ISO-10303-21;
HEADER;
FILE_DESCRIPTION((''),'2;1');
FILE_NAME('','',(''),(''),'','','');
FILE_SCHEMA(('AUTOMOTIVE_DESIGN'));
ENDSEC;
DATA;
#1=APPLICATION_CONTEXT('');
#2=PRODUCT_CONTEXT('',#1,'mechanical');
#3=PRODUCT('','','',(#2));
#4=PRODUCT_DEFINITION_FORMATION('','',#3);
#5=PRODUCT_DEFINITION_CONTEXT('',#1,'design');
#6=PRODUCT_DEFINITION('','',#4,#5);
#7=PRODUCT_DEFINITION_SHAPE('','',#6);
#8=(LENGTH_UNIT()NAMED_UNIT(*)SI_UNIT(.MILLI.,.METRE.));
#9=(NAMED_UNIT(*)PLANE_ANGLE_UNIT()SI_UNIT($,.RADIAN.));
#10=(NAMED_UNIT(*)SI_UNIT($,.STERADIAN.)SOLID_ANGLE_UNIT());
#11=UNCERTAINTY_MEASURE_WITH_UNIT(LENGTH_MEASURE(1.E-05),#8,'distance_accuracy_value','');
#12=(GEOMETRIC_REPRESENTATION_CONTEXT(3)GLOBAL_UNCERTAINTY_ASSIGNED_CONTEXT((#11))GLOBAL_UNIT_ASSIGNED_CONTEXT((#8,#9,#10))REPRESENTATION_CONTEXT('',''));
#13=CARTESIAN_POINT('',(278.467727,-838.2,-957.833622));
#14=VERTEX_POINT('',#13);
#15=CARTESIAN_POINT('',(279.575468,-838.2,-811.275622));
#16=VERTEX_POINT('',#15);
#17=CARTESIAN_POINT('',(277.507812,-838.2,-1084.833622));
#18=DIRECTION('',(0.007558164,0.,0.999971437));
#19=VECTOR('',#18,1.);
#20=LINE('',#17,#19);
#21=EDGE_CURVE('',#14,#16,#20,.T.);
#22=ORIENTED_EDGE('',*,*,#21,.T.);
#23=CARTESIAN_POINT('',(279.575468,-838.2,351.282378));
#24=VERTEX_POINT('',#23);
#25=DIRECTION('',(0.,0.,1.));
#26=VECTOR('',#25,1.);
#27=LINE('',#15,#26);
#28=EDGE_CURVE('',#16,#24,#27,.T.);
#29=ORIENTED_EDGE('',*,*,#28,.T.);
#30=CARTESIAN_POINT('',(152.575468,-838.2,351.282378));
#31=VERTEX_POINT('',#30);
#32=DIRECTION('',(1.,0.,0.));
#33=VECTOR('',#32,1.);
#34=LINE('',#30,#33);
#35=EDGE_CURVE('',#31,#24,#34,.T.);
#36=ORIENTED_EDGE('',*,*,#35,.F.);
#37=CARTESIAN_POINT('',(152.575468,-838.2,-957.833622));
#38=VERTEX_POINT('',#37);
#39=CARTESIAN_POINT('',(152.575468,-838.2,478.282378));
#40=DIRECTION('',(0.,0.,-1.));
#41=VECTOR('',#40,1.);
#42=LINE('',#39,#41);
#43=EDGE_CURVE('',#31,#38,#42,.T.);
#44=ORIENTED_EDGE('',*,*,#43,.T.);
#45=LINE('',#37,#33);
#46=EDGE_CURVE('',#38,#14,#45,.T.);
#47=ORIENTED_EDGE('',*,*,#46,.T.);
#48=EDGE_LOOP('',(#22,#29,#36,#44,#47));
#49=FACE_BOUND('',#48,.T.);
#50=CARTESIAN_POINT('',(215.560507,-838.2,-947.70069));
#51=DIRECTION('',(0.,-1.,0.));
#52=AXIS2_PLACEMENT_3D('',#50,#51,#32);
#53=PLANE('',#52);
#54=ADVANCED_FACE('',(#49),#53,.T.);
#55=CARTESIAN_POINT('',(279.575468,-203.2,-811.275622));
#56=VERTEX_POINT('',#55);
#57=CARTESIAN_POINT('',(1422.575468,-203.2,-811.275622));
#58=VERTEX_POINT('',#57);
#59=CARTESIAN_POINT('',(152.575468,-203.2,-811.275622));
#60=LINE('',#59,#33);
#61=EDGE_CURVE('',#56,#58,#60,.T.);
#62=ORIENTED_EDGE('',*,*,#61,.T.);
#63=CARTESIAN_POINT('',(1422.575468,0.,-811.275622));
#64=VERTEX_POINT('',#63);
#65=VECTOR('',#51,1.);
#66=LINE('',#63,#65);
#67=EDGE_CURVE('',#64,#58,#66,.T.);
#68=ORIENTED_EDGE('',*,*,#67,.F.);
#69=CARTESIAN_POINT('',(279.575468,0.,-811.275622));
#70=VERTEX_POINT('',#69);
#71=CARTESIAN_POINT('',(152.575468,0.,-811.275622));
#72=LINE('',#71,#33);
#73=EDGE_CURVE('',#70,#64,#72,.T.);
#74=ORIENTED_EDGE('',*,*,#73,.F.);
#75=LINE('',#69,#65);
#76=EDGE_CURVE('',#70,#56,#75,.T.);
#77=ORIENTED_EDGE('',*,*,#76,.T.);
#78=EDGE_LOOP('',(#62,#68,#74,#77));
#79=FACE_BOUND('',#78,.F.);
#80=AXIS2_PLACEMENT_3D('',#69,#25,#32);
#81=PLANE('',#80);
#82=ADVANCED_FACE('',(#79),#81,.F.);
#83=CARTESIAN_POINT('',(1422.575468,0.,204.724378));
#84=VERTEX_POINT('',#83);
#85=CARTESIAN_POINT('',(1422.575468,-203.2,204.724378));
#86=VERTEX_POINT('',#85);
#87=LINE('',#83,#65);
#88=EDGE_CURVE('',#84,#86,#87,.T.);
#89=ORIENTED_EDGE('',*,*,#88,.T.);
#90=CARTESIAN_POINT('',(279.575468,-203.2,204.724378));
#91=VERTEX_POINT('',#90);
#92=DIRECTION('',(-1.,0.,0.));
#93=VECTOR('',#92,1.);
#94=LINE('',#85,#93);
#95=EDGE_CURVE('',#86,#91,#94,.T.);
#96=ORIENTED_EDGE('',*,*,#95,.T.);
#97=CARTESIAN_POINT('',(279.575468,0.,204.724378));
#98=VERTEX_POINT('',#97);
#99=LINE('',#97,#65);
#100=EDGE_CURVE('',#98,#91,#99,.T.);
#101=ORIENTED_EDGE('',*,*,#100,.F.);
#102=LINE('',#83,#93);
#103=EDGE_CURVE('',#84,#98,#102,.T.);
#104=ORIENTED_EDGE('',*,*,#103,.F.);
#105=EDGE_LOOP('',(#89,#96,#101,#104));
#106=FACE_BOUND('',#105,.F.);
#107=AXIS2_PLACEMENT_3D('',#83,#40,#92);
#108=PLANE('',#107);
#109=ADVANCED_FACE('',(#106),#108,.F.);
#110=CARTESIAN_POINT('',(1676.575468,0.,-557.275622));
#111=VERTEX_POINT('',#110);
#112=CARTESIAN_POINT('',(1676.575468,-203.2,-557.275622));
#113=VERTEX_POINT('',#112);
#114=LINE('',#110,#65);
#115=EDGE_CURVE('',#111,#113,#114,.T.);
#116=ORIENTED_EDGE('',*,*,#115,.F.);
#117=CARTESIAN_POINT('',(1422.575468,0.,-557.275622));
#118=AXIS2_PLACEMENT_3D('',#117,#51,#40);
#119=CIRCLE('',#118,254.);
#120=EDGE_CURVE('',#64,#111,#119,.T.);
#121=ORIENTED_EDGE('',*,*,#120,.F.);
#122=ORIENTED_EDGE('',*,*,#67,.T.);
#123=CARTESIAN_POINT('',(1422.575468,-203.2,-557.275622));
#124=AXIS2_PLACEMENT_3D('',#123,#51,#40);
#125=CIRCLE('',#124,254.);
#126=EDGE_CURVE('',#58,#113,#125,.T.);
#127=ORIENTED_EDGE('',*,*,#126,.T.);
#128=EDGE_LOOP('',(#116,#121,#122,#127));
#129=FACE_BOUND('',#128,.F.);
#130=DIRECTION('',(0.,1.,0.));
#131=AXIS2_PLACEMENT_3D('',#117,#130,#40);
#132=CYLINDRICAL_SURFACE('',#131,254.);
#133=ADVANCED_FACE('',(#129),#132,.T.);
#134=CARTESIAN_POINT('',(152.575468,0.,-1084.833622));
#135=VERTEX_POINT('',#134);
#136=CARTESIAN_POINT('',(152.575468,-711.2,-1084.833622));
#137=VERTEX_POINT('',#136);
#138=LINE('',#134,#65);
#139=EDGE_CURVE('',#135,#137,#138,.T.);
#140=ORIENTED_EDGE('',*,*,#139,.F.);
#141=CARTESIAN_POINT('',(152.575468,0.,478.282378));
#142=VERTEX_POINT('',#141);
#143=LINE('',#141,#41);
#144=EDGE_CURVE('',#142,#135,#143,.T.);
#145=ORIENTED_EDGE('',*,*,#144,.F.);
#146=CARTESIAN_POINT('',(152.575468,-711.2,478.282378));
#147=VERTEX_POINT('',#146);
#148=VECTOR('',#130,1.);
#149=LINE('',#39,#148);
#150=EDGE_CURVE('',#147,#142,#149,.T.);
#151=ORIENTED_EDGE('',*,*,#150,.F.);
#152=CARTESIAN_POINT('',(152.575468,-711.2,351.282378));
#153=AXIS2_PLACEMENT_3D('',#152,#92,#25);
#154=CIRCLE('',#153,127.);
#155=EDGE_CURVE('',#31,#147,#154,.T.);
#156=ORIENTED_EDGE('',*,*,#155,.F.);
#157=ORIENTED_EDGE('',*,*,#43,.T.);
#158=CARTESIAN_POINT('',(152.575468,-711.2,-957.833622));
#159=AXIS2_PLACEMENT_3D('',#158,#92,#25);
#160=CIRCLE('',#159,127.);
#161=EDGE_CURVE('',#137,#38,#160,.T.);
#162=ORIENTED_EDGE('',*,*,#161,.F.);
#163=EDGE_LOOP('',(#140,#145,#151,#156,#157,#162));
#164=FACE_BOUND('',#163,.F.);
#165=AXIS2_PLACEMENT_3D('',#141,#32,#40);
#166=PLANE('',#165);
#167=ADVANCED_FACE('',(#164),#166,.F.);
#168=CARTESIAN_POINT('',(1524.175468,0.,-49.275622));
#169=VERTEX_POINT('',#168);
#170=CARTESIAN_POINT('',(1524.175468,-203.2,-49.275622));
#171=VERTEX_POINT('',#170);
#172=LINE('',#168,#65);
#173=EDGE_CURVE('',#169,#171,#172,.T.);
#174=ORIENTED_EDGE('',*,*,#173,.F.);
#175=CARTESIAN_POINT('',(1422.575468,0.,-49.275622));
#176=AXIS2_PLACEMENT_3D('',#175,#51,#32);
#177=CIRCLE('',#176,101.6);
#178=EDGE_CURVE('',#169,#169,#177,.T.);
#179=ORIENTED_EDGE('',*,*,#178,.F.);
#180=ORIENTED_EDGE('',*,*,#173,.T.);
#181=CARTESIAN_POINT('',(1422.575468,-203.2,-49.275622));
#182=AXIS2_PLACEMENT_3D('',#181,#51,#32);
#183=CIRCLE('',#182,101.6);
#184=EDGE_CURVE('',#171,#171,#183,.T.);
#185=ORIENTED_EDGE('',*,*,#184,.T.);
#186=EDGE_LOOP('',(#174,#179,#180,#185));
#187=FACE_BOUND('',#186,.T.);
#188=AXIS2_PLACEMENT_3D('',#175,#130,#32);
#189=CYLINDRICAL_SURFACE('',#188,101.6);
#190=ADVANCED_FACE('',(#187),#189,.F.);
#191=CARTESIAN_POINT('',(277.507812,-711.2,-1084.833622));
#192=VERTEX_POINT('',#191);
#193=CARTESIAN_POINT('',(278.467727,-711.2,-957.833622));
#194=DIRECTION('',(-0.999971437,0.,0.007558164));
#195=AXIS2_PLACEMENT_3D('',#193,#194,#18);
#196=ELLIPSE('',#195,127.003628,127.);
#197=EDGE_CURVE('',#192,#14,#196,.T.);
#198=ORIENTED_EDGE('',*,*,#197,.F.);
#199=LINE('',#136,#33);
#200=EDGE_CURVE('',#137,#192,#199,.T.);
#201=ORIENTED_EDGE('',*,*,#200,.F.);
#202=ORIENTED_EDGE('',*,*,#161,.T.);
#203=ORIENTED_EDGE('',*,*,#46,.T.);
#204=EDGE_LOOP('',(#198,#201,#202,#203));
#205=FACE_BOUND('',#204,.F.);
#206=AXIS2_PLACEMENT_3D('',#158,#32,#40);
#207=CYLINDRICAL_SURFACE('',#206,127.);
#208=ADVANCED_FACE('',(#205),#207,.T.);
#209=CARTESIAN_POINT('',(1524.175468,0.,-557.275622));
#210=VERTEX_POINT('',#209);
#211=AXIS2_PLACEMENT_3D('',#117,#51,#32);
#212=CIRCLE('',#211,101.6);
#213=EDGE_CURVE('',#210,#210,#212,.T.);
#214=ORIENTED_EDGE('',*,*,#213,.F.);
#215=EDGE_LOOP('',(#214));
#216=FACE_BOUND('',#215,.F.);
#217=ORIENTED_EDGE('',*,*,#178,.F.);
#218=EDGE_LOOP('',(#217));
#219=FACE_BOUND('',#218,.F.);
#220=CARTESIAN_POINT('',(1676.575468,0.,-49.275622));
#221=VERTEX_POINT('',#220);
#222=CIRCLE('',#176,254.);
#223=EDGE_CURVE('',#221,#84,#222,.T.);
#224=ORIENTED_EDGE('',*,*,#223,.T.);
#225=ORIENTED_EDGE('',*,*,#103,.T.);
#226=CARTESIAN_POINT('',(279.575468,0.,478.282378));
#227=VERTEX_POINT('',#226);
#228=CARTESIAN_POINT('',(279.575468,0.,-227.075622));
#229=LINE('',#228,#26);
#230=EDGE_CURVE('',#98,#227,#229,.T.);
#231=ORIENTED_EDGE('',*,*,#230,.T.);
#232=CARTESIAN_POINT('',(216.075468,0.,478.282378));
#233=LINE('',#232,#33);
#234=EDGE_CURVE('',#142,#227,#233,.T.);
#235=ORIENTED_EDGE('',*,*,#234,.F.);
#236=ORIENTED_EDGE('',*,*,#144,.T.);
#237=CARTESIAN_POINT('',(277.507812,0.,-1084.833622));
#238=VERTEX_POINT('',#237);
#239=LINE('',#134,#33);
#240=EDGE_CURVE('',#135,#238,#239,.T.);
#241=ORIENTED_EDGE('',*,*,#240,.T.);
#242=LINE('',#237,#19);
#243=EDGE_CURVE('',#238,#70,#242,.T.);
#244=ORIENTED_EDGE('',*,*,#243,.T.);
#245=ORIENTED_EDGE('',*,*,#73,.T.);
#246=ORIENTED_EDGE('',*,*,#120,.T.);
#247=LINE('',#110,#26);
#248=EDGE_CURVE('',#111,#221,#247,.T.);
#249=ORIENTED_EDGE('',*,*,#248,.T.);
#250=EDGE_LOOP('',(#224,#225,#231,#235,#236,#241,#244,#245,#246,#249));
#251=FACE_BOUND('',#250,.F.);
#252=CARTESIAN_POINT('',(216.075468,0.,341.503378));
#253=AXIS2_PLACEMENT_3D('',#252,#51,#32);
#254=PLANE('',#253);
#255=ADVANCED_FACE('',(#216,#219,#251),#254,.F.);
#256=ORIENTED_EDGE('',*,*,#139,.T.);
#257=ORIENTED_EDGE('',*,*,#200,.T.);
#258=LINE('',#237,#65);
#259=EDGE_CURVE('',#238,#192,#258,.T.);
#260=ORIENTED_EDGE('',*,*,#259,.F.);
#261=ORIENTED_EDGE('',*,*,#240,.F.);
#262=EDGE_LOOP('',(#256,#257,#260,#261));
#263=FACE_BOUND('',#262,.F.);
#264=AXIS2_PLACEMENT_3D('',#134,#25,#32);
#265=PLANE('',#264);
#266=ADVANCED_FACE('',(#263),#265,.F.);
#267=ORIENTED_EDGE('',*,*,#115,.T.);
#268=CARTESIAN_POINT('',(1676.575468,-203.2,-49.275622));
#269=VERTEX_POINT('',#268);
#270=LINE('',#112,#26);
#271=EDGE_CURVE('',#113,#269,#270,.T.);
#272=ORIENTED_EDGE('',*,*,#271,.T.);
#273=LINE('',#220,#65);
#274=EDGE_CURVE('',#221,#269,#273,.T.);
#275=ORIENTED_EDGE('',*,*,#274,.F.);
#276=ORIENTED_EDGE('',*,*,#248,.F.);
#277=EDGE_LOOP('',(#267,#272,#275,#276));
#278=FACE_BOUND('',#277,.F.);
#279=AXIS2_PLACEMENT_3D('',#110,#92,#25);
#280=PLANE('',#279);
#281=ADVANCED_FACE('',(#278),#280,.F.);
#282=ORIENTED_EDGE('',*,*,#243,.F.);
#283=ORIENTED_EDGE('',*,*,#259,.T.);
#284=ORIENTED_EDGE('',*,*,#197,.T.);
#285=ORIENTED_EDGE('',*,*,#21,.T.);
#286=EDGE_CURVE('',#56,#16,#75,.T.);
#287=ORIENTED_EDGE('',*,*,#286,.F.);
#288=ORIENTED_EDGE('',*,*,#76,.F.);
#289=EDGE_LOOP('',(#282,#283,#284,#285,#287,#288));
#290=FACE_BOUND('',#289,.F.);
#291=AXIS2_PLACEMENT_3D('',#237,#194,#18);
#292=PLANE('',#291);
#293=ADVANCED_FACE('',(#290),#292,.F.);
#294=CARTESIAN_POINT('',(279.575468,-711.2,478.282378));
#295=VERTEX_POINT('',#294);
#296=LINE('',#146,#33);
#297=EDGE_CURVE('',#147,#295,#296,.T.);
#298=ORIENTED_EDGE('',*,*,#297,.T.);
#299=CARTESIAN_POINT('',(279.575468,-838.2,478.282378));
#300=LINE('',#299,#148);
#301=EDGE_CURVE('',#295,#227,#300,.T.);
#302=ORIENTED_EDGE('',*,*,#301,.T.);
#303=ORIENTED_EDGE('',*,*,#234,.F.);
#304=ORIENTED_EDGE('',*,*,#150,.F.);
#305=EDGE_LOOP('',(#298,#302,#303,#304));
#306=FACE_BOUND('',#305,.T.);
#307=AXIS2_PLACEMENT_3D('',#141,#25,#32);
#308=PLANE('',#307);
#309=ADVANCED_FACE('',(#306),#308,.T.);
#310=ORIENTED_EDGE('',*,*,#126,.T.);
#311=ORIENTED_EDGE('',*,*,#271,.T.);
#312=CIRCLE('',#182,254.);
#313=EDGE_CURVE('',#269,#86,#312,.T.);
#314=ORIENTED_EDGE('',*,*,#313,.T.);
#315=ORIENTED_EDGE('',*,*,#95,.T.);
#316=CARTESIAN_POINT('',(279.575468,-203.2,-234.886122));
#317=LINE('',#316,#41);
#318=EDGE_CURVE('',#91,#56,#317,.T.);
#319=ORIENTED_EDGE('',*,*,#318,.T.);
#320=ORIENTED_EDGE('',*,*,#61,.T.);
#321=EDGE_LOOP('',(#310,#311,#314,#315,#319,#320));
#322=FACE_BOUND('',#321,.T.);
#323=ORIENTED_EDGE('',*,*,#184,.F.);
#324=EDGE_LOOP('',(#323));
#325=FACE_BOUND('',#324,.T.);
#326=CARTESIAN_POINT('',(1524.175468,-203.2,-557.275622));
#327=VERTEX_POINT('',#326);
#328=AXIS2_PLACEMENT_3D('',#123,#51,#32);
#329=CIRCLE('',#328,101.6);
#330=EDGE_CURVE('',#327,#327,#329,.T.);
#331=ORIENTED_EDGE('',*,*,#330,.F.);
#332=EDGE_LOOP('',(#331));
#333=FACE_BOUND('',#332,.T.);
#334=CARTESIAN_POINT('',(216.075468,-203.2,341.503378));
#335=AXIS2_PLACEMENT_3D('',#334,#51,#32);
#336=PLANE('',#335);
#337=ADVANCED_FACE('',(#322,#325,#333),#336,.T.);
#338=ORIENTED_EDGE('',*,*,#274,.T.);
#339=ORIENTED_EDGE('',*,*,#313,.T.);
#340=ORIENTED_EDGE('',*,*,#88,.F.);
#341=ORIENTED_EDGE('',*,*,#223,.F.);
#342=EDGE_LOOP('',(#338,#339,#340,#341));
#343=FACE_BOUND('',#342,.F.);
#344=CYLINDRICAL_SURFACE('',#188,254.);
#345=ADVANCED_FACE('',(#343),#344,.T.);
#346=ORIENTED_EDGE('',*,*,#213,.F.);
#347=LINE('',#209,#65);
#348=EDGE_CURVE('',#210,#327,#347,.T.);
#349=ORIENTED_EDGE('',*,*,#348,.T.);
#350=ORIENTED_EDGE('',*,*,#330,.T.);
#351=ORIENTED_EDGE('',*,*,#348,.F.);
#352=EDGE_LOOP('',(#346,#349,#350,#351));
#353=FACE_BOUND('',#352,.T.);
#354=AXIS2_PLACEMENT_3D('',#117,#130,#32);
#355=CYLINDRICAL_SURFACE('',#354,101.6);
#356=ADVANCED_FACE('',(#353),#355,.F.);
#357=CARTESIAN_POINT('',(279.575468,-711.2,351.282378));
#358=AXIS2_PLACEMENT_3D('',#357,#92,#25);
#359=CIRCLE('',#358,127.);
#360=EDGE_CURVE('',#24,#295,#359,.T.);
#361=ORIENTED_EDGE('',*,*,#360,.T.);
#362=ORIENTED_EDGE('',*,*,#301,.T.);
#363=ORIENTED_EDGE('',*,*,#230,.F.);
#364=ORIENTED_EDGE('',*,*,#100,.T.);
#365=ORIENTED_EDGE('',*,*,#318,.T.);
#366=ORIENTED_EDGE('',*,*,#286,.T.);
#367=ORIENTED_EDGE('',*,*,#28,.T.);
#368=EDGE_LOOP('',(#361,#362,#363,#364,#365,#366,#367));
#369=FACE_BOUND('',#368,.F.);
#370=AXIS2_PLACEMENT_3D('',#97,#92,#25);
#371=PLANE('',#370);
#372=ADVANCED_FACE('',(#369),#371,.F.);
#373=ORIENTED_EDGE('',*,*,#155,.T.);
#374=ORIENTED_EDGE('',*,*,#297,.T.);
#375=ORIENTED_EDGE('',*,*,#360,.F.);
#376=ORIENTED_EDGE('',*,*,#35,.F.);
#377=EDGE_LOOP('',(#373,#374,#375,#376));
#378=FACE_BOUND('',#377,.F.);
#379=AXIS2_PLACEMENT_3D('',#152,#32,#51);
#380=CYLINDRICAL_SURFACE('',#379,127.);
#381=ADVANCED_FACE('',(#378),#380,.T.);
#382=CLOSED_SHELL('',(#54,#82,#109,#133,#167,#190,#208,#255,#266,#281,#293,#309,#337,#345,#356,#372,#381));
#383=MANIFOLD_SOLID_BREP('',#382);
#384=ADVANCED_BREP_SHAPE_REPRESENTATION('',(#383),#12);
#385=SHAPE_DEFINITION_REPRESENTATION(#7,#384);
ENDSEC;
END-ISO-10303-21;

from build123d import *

# Parameters (mm, degrees)
F0_W     = 127
F0_H     = 273.558
F0_H_2   = 431.8
F0_R     = 101.6
F0_H_3   = 152.4
F0_W_2   = 1397
F1_DEPTH = 203.2
F2_DEPTH = 838.2
F4_R     = 127


with BuildPart() as f1:
    # F0 (on Front) → F1 (new body)
    with BuildSketch(Plane.XZ):
        with Locations((216.0754676017, 341.5033780212)):
            Rectangle(F0_W, F0_H)
        with Locations((216.0754676017, -11.1756219788)):
            Rectangle(F0_W, F0_H_2)
        with BuildLine():
            Line((1422.5754676017, 204.7243780212), (279.5754676017, 204.7243780212))
            Line((279.5754676017, 204.7243780212), (279.5754676017, -227.0756219788))
            Line((279.5754676017, -227.0756219788), (1676.5754676017, -227.0756219788))
            Line((1676.5754676017, -227.0756219788), (1676.5754676017, -49.2756219788))
            ThreePointArc((1676.5754676017, -49.2756219788), (1602.1805900231, 130.3295004426), (1422.5754676017, 204.7243780212))
        make_face()
        with Locations((1422.5754676017, -49.2756219788)):
            Circle(F0_R, mode=Mode.SUBTRACT)
        with Locations((216.0754676017, -303.2756219788)):
            Rectangle(F0_W, F0_H_3)
        with Locations((978.0754676017, -303.2756219788)):
            Rectangle(F0_W_2, F0_H_3)
        with Locations((216.0754676017, -595.3756219788)):
            Rectangle(F0_W, F0_H_2)
        with BuildLine():
            Line((1676.5754676017, -379.4756219788), (279.5754676017, -379.4756219788))
            Line((279.5754676017, -379.4756219788), (279.5754676017, -811.2756219788))
            Line((279.5754676017, -811.2756219788), (1422.5754676017, -811.2756219788))
            ThreePointArc((1422.5754676017, -811.2756219788), (1602.1805900231, -736.8807444001), (1676.5754676017, -557.2756219788))
            Line((1676.5754676017, -557.2756219788), (1676.5754676017, -379.4756219788))
        make_face()
        with Locations((1422.5754676017, -557.2756219788)):
            Circle(F0_R, mode=Mode.SUBTRACT)
        Polygon((279.5754676017, -811.2756219788), (152.5754676017, -811.2756219788), (152.5754676017, -1084.8336219788), (277.5078122768, -1084.8336219788), align=None)
    extrude(amount=F1_DEPTH)

    # F0 (on Front) → F2 (join)
    with BuildSketch(Plane.XZ):
        Polygon((279.5754676017, -811.2756219788), (152.5754676017, -811.2756219788), (152.5754676017, -1084.8336219788), (277.5078122768, -1084.8336219788), align=None)
        with Locations((216.0754676017, -595.3756219788)):
            Rectangle(F0_W, F0_H_2)
        with Locations((216.0754676017, -303.2756219788)):
            Rectangle(F0_W, F0_H_3)
        with Locations((216.0754676017, -11.1756219788)):
            Rectangle(F0_W, F0_H_2)
        with Locations((216.0754676017, 341.5033780212)):
            Rectangle(F0_W, F0_H)
    extrude(amount=F2_DEPTH)

    # F4
    f4_edges = [f1.edges().sort_by_distance(p)[0] for p in [
        (216.075468, -838.2, 478.282378),
        (215.04164, -838.2, -1084.833622),
    ]]
    fillet(f4_edges, radius=F4_R)


solid = f1.part
